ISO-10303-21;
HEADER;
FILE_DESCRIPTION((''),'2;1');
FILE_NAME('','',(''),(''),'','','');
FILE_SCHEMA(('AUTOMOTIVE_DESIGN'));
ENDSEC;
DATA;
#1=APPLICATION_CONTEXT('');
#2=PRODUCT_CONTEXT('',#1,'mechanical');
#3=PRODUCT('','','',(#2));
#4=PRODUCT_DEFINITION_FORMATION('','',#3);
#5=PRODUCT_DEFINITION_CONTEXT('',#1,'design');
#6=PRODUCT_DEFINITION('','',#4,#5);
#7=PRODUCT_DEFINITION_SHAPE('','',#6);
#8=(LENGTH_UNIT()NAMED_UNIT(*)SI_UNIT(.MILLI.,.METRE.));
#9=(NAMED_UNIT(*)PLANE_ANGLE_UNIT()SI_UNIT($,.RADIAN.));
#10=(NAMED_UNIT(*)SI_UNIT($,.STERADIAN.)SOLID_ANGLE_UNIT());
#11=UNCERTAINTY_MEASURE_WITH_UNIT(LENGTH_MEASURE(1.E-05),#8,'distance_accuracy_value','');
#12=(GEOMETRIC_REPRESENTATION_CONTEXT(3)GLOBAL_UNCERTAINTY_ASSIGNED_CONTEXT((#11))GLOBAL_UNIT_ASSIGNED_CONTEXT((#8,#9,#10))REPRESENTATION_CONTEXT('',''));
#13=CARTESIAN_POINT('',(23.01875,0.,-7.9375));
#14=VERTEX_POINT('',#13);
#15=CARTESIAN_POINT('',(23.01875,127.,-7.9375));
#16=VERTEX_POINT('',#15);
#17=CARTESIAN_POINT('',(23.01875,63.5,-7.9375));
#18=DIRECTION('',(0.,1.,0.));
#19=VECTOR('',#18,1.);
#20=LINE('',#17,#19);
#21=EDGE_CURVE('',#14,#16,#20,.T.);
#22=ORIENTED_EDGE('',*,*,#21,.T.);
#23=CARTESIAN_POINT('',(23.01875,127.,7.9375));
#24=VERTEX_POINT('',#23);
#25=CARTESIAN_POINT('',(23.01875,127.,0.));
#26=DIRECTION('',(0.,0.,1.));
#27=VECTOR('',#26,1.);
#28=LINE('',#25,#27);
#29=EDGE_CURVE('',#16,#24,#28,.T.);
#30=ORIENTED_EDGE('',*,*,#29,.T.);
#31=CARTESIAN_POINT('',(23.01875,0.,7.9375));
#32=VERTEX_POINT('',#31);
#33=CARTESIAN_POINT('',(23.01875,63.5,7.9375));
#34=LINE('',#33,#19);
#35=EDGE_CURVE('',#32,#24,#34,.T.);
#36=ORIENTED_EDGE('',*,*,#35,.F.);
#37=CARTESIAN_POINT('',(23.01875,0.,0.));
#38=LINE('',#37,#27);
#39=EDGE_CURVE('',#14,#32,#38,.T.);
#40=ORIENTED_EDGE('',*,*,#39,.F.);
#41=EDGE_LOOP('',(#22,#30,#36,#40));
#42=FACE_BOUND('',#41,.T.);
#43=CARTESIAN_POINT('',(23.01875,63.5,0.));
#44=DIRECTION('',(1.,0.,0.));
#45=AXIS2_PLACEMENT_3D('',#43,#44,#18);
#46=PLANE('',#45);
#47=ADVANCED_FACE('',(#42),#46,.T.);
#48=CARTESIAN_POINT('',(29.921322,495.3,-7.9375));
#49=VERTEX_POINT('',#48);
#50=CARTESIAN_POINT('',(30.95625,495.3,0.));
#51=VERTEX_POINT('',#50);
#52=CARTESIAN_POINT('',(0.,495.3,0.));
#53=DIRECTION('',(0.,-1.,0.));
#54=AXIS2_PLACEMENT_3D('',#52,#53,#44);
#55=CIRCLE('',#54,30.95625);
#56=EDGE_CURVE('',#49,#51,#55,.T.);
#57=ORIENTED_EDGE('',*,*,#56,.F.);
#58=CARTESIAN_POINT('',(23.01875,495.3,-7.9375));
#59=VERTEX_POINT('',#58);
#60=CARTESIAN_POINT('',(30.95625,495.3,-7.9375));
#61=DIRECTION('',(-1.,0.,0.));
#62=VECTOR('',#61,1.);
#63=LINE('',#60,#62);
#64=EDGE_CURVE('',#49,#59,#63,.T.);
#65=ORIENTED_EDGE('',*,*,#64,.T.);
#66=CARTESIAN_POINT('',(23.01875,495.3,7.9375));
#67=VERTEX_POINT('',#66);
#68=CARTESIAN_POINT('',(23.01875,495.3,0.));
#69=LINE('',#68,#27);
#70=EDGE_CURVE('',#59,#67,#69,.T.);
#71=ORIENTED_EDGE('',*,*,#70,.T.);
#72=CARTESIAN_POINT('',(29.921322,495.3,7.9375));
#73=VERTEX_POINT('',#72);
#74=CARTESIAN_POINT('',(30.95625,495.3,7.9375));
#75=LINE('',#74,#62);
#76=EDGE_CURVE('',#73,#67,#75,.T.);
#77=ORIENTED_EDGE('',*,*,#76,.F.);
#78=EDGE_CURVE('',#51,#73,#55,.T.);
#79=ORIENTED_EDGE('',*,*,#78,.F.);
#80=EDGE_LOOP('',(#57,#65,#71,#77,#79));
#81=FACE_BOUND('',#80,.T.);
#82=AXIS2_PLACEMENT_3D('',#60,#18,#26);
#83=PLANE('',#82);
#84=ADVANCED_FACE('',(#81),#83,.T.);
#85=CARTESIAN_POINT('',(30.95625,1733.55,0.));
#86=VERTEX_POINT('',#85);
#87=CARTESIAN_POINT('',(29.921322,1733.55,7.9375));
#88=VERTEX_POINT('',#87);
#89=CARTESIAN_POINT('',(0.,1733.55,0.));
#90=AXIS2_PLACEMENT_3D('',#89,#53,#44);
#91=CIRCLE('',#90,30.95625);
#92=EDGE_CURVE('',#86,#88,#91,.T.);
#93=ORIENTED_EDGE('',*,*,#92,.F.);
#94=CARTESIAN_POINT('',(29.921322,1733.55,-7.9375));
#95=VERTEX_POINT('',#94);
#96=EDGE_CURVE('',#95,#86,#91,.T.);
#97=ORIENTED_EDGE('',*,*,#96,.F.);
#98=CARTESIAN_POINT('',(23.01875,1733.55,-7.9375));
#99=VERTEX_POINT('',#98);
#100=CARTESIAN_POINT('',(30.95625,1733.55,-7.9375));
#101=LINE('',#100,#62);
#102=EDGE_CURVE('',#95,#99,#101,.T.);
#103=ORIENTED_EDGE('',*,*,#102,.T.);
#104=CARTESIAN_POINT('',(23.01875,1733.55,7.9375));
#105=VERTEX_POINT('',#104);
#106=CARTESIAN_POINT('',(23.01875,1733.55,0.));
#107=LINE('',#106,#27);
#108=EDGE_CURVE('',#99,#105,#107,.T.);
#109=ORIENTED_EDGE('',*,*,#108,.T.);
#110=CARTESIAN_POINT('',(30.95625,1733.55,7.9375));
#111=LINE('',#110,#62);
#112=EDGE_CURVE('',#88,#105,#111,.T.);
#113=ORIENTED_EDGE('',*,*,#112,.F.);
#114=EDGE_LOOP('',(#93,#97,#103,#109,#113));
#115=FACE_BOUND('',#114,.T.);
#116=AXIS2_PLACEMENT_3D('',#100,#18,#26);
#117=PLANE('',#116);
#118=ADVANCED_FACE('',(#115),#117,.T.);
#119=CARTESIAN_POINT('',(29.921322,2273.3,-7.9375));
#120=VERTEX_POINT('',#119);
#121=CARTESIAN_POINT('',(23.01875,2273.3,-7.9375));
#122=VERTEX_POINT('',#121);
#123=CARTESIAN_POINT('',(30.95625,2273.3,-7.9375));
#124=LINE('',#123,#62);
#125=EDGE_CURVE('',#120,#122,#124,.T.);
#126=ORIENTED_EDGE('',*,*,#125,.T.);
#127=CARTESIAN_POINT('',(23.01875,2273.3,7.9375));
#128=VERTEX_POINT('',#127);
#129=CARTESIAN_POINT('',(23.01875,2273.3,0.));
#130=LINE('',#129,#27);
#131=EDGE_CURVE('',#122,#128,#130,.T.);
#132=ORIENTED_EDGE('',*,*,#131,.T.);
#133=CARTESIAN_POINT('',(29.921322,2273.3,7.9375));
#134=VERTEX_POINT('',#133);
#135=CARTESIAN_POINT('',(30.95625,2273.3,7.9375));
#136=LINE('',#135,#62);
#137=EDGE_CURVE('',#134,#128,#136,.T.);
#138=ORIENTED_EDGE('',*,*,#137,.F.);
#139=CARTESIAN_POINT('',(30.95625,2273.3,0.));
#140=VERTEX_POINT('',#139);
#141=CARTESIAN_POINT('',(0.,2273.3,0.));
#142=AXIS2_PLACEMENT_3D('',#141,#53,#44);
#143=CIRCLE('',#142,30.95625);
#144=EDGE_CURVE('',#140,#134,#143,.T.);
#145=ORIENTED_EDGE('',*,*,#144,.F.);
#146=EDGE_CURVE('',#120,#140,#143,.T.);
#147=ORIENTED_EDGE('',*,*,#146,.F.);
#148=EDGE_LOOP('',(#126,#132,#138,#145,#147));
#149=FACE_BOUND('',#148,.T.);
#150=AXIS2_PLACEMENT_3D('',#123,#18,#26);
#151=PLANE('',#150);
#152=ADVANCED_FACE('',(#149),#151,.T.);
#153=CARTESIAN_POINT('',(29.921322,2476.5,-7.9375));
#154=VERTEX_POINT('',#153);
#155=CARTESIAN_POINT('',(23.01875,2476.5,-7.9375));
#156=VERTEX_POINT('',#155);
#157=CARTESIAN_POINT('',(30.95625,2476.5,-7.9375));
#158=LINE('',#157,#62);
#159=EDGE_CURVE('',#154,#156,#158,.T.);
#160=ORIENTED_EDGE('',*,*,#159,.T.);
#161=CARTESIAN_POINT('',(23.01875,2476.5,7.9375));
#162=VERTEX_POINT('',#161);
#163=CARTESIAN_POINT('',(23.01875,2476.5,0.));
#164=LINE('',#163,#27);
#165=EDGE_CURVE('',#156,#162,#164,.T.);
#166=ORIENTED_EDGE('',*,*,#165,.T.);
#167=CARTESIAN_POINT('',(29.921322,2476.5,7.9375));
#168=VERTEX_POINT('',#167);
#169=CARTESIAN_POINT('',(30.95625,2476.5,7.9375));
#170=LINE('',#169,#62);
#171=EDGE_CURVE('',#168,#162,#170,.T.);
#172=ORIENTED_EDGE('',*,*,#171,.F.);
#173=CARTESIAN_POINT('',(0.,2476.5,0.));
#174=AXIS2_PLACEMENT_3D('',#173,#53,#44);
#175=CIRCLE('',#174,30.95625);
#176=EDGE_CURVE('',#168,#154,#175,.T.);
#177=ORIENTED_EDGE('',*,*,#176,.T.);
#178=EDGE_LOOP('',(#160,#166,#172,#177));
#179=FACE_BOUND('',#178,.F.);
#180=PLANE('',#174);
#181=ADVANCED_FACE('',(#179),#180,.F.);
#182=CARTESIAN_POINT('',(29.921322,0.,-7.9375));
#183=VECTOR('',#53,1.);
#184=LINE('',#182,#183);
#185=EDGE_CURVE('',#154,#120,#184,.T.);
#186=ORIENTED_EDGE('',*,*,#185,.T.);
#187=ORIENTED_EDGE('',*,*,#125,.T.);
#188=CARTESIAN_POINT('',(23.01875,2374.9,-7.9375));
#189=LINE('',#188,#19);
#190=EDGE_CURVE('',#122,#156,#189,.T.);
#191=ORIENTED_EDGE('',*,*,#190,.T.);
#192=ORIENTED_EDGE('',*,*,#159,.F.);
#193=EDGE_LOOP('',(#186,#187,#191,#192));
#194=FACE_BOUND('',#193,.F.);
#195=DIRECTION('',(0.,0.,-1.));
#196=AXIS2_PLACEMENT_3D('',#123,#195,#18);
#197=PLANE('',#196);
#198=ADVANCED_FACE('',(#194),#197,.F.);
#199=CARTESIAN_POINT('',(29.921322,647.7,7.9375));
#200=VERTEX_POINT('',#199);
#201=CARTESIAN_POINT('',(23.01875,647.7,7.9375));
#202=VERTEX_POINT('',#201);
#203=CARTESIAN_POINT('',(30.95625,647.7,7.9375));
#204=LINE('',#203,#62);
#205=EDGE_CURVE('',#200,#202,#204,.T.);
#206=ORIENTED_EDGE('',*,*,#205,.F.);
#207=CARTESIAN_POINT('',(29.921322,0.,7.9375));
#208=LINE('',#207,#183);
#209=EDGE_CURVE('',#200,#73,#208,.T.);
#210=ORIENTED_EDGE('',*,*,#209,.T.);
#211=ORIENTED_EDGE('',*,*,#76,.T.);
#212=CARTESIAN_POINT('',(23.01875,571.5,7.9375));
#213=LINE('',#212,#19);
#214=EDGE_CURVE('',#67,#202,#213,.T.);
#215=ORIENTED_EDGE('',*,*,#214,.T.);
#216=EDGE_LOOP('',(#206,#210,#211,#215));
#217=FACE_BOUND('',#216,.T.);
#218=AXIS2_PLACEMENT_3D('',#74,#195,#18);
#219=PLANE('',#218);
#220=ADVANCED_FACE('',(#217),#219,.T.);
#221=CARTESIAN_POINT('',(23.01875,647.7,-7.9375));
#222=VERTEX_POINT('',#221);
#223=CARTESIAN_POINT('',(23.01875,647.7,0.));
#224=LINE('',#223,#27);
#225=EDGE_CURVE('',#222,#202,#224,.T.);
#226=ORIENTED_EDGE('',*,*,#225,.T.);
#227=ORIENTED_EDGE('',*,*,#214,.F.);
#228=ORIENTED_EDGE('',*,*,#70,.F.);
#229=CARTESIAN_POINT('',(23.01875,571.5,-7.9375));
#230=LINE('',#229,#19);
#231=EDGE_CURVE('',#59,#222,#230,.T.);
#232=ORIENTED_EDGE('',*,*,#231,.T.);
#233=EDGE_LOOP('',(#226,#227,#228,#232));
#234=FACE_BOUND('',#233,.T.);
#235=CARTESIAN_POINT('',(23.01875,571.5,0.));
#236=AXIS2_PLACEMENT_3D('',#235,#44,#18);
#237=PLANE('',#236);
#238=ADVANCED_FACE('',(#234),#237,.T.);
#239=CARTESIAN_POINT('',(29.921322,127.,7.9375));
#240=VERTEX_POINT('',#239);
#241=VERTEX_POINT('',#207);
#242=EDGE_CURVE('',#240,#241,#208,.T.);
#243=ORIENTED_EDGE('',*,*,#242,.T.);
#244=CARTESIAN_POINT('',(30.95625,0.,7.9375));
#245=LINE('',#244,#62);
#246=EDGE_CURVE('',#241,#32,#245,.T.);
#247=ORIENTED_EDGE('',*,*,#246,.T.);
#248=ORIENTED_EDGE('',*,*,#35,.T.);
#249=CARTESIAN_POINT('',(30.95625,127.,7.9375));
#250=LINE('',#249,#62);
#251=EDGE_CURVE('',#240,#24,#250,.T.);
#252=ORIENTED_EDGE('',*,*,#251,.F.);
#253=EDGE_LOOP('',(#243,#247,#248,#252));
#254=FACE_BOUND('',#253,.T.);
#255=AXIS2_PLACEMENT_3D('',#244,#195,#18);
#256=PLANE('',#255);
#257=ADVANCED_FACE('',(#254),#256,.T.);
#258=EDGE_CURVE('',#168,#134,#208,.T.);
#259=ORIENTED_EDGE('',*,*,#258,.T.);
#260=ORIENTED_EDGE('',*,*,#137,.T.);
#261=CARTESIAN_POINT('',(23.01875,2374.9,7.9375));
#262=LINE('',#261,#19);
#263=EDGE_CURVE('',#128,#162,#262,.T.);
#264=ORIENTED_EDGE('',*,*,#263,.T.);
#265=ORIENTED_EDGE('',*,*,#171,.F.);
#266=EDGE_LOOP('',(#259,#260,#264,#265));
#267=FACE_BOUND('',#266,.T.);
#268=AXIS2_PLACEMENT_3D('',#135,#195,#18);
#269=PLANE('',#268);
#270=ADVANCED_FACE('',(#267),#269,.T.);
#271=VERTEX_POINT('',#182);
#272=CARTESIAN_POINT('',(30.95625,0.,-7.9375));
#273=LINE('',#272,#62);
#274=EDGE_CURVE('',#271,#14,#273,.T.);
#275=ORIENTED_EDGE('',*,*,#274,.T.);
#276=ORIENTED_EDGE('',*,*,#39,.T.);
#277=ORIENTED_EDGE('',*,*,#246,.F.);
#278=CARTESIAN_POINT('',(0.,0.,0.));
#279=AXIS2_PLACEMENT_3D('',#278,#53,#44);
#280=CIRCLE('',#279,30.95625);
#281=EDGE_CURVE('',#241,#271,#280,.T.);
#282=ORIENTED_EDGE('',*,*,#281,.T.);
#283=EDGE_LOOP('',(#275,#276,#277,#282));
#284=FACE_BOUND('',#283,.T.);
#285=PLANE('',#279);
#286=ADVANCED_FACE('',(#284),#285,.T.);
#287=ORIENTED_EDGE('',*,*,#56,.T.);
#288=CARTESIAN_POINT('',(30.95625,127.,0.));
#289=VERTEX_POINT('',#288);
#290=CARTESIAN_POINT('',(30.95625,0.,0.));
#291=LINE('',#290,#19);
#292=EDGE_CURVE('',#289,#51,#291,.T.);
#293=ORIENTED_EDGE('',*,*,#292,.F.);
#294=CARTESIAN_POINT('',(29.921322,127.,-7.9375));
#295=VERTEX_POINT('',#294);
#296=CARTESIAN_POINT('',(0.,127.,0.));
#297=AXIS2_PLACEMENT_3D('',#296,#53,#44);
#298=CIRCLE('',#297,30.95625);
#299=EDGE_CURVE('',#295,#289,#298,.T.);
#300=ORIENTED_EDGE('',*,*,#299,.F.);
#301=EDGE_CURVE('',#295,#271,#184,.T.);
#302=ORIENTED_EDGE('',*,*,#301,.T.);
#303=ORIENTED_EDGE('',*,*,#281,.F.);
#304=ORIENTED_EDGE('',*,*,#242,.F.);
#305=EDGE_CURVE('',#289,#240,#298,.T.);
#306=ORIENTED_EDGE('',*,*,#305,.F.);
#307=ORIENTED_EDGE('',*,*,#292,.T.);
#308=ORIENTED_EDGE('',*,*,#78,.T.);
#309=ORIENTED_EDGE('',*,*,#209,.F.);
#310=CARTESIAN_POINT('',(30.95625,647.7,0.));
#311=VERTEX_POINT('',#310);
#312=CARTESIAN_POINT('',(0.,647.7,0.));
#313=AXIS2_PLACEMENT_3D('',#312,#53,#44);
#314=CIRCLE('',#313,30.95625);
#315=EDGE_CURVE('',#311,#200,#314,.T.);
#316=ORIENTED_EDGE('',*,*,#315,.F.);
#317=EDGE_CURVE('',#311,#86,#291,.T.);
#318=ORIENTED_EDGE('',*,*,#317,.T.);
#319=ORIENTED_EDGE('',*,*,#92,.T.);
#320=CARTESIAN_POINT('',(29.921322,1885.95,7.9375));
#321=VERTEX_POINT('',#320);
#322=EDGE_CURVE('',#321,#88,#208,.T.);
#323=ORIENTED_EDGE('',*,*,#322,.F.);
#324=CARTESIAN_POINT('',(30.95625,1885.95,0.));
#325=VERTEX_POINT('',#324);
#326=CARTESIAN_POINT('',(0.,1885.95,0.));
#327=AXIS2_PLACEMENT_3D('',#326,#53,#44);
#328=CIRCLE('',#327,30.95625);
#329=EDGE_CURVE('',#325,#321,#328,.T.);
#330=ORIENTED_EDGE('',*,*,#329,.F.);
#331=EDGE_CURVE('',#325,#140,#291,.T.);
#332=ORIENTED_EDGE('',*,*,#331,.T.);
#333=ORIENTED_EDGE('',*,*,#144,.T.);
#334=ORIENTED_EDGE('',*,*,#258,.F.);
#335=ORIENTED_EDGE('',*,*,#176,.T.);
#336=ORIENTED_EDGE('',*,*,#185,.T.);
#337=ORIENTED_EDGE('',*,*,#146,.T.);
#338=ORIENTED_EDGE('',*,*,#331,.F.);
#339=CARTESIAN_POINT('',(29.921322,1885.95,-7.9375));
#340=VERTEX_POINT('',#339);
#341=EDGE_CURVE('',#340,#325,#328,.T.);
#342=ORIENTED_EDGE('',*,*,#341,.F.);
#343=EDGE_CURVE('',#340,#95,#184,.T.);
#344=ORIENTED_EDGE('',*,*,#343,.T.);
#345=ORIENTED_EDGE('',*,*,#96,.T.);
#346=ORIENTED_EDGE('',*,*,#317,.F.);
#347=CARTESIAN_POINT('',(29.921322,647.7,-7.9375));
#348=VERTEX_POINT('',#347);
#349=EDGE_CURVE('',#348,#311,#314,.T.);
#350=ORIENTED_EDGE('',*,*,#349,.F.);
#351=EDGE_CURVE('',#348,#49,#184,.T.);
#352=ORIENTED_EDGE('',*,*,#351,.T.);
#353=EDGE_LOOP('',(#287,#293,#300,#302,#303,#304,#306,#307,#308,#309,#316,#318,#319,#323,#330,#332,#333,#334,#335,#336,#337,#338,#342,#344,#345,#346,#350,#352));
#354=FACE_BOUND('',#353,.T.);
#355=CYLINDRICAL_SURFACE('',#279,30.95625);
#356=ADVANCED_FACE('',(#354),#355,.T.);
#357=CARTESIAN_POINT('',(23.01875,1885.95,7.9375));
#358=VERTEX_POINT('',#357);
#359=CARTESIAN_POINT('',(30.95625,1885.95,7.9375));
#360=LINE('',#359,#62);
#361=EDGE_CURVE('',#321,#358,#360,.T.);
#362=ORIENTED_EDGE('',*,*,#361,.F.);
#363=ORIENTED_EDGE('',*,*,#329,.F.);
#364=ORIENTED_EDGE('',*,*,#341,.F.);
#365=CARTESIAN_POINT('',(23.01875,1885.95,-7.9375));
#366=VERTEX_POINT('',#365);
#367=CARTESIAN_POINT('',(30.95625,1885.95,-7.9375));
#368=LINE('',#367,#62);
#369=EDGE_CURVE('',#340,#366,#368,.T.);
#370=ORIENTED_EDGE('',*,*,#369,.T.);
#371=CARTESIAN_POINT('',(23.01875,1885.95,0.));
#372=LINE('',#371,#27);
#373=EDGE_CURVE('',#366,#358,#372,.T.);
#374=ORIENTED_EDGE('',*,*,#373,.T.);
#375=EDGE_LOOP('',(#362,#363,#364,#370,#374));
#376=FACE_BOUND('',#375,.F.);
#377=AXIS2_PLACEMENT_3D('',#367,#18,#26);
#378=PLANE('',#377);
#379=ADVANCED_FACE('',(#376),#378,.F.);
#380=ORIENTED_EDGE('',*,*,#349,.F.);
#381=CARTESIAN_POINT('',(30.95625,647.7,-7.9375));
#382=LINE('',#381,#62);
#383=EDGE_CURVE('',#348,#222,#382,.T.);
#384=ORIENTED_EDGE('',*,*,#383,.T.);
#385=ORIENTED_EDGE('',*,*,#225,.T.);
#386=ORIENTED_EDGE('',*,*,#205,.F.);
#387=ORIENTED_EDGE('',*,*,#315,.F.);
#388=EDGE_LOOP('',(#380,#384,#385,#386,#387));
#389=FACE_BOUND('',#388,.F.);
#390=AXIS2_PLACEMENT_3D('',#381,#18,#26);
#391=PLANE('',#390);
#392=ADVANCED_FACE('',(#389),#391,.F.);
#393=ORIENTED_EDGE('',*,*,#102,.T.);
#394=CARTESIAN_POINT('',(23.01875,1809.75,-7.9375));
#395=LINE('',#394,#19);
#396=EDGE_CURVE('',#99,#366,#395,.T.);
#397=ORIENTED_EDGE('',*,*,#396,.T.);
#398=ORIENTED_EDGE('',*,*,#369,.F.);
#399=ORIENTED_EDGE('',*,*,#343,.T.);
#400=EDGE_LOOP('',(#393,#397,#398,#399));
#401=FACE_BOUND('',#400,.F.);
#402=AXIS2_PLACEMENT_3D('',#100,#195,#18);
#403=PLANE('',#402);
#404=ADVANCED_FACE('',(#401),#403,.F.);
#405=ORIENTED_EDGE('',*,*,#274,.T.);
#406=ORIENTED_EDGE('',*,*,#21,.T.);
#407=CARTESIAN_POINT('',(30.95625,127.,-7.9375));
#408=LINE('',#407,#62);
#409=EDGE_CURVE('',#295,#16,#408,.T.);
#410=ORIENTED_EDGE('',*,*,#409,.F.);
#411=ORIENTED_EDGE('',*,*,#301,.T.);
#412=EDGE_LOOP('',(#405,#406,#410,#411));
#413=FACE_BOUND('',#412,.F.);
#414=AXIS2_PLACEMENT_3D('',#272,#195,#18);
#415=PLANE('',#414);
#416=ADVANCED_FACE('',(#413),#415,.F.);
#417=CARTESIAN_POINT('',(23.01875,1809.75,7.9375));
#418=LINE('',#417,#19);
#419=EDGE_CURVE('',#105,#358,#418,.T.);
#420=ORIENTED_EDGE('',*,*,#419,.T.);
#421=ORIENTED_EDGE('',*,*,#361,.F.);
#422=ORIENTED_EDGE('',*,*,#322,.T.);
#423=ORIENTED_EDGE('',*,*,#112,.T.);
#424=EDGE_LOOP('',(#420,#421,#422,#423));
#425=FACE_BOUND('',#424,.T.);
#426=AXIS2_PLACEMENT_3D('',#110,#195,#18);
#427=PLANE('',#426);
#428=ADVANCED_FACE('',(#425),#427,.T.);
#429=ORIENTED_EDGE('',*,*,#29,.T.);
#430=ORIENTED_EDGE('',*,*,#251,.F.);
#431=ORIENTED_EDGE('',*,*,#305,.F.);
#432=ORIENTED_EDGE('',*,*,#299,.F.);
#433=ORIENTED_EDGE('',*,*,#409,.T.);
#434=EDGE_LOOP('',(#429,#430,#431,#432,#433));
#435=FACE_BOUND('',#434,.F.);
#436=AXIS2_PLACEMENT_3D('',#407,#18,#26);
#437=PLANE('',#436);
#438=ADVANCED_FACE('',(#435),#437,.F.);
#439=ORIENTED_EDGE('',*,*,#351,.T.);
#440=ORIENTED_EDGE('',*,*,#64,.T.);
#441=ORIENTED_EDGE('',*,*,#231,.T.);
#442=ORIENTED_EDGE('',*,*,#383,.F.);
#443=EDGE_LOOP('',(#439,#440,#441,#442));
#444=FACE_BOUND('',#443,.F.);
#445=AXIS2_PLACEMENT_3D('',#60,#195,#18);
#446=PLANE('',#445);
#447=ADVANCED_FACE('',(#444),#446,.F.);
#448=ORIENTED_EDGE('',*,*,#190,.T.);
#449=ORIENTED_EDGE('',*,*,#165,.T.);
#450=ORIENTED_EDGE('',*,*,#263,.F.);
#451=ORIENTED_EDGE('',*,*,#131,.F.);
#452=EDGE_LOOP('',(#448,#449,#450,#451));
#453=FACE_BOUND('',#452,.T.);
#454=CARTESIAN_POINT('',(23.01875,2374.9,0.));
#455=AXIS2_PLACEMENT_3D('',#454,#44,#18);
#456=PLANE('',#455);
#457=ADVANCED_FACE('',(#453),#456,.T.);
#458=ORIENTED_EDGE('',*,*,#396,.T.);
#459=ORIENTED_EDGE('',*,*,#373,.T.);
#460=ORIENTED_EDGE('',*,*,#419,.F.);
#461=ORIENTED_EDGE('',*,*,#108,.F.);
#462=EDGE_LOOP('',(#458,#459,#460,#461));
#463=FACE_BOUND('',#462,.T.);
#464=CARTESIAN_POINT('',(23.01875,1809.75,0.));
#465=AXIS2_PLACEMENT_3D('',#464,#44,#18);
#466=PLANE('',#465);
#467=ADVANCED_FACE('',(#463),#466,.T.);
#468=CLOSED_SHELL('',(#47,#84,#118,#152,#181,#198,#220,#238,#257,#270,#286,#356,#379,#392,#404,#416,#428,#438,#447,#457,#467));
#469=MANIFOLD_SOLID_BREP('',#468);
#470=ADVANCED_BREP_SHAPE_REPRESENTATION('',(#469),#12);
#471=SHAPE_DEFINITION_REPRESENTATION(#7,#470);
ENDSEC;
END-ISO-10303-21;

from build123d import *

# Parameters (mm, degrees)
F0_R     = 30.95625
F2_DEPTH = 2476.5
F3_W     = 127
F3_H     = 15.875
F3_W_2   = 152.4
F3_W_3   = 203.2
F4_DEPTH = 7.9375


with BuildPart() as f2:
    # F0 (on Front) → F2 (new body)
    with BuildSketch(Plane.XZ):
        Circle(F0_R)
    extrude(amount=-F2_DEPTH)

    # F3 (on offset) → F4 (cut)
    with BuildSketch(Plane.YZ.offset(30.95625)):
        with Locations((63.5, 0)):
            Rectangle(F3_W, F3_H)
        with Locations((571.5, 0)):
            Rectangle(F3_W_2, F3_H)
        with Locations((1809.75, 0)):
            Rectangle(F3_W_2, F3_H)
        with Locations((2374.9, 0)):
            Rectangle(F3_W_3, F3_H)
    extrude(amount=-F4_DEPTH, mode=Mode.SUBTRACT)


solid = f2.part
